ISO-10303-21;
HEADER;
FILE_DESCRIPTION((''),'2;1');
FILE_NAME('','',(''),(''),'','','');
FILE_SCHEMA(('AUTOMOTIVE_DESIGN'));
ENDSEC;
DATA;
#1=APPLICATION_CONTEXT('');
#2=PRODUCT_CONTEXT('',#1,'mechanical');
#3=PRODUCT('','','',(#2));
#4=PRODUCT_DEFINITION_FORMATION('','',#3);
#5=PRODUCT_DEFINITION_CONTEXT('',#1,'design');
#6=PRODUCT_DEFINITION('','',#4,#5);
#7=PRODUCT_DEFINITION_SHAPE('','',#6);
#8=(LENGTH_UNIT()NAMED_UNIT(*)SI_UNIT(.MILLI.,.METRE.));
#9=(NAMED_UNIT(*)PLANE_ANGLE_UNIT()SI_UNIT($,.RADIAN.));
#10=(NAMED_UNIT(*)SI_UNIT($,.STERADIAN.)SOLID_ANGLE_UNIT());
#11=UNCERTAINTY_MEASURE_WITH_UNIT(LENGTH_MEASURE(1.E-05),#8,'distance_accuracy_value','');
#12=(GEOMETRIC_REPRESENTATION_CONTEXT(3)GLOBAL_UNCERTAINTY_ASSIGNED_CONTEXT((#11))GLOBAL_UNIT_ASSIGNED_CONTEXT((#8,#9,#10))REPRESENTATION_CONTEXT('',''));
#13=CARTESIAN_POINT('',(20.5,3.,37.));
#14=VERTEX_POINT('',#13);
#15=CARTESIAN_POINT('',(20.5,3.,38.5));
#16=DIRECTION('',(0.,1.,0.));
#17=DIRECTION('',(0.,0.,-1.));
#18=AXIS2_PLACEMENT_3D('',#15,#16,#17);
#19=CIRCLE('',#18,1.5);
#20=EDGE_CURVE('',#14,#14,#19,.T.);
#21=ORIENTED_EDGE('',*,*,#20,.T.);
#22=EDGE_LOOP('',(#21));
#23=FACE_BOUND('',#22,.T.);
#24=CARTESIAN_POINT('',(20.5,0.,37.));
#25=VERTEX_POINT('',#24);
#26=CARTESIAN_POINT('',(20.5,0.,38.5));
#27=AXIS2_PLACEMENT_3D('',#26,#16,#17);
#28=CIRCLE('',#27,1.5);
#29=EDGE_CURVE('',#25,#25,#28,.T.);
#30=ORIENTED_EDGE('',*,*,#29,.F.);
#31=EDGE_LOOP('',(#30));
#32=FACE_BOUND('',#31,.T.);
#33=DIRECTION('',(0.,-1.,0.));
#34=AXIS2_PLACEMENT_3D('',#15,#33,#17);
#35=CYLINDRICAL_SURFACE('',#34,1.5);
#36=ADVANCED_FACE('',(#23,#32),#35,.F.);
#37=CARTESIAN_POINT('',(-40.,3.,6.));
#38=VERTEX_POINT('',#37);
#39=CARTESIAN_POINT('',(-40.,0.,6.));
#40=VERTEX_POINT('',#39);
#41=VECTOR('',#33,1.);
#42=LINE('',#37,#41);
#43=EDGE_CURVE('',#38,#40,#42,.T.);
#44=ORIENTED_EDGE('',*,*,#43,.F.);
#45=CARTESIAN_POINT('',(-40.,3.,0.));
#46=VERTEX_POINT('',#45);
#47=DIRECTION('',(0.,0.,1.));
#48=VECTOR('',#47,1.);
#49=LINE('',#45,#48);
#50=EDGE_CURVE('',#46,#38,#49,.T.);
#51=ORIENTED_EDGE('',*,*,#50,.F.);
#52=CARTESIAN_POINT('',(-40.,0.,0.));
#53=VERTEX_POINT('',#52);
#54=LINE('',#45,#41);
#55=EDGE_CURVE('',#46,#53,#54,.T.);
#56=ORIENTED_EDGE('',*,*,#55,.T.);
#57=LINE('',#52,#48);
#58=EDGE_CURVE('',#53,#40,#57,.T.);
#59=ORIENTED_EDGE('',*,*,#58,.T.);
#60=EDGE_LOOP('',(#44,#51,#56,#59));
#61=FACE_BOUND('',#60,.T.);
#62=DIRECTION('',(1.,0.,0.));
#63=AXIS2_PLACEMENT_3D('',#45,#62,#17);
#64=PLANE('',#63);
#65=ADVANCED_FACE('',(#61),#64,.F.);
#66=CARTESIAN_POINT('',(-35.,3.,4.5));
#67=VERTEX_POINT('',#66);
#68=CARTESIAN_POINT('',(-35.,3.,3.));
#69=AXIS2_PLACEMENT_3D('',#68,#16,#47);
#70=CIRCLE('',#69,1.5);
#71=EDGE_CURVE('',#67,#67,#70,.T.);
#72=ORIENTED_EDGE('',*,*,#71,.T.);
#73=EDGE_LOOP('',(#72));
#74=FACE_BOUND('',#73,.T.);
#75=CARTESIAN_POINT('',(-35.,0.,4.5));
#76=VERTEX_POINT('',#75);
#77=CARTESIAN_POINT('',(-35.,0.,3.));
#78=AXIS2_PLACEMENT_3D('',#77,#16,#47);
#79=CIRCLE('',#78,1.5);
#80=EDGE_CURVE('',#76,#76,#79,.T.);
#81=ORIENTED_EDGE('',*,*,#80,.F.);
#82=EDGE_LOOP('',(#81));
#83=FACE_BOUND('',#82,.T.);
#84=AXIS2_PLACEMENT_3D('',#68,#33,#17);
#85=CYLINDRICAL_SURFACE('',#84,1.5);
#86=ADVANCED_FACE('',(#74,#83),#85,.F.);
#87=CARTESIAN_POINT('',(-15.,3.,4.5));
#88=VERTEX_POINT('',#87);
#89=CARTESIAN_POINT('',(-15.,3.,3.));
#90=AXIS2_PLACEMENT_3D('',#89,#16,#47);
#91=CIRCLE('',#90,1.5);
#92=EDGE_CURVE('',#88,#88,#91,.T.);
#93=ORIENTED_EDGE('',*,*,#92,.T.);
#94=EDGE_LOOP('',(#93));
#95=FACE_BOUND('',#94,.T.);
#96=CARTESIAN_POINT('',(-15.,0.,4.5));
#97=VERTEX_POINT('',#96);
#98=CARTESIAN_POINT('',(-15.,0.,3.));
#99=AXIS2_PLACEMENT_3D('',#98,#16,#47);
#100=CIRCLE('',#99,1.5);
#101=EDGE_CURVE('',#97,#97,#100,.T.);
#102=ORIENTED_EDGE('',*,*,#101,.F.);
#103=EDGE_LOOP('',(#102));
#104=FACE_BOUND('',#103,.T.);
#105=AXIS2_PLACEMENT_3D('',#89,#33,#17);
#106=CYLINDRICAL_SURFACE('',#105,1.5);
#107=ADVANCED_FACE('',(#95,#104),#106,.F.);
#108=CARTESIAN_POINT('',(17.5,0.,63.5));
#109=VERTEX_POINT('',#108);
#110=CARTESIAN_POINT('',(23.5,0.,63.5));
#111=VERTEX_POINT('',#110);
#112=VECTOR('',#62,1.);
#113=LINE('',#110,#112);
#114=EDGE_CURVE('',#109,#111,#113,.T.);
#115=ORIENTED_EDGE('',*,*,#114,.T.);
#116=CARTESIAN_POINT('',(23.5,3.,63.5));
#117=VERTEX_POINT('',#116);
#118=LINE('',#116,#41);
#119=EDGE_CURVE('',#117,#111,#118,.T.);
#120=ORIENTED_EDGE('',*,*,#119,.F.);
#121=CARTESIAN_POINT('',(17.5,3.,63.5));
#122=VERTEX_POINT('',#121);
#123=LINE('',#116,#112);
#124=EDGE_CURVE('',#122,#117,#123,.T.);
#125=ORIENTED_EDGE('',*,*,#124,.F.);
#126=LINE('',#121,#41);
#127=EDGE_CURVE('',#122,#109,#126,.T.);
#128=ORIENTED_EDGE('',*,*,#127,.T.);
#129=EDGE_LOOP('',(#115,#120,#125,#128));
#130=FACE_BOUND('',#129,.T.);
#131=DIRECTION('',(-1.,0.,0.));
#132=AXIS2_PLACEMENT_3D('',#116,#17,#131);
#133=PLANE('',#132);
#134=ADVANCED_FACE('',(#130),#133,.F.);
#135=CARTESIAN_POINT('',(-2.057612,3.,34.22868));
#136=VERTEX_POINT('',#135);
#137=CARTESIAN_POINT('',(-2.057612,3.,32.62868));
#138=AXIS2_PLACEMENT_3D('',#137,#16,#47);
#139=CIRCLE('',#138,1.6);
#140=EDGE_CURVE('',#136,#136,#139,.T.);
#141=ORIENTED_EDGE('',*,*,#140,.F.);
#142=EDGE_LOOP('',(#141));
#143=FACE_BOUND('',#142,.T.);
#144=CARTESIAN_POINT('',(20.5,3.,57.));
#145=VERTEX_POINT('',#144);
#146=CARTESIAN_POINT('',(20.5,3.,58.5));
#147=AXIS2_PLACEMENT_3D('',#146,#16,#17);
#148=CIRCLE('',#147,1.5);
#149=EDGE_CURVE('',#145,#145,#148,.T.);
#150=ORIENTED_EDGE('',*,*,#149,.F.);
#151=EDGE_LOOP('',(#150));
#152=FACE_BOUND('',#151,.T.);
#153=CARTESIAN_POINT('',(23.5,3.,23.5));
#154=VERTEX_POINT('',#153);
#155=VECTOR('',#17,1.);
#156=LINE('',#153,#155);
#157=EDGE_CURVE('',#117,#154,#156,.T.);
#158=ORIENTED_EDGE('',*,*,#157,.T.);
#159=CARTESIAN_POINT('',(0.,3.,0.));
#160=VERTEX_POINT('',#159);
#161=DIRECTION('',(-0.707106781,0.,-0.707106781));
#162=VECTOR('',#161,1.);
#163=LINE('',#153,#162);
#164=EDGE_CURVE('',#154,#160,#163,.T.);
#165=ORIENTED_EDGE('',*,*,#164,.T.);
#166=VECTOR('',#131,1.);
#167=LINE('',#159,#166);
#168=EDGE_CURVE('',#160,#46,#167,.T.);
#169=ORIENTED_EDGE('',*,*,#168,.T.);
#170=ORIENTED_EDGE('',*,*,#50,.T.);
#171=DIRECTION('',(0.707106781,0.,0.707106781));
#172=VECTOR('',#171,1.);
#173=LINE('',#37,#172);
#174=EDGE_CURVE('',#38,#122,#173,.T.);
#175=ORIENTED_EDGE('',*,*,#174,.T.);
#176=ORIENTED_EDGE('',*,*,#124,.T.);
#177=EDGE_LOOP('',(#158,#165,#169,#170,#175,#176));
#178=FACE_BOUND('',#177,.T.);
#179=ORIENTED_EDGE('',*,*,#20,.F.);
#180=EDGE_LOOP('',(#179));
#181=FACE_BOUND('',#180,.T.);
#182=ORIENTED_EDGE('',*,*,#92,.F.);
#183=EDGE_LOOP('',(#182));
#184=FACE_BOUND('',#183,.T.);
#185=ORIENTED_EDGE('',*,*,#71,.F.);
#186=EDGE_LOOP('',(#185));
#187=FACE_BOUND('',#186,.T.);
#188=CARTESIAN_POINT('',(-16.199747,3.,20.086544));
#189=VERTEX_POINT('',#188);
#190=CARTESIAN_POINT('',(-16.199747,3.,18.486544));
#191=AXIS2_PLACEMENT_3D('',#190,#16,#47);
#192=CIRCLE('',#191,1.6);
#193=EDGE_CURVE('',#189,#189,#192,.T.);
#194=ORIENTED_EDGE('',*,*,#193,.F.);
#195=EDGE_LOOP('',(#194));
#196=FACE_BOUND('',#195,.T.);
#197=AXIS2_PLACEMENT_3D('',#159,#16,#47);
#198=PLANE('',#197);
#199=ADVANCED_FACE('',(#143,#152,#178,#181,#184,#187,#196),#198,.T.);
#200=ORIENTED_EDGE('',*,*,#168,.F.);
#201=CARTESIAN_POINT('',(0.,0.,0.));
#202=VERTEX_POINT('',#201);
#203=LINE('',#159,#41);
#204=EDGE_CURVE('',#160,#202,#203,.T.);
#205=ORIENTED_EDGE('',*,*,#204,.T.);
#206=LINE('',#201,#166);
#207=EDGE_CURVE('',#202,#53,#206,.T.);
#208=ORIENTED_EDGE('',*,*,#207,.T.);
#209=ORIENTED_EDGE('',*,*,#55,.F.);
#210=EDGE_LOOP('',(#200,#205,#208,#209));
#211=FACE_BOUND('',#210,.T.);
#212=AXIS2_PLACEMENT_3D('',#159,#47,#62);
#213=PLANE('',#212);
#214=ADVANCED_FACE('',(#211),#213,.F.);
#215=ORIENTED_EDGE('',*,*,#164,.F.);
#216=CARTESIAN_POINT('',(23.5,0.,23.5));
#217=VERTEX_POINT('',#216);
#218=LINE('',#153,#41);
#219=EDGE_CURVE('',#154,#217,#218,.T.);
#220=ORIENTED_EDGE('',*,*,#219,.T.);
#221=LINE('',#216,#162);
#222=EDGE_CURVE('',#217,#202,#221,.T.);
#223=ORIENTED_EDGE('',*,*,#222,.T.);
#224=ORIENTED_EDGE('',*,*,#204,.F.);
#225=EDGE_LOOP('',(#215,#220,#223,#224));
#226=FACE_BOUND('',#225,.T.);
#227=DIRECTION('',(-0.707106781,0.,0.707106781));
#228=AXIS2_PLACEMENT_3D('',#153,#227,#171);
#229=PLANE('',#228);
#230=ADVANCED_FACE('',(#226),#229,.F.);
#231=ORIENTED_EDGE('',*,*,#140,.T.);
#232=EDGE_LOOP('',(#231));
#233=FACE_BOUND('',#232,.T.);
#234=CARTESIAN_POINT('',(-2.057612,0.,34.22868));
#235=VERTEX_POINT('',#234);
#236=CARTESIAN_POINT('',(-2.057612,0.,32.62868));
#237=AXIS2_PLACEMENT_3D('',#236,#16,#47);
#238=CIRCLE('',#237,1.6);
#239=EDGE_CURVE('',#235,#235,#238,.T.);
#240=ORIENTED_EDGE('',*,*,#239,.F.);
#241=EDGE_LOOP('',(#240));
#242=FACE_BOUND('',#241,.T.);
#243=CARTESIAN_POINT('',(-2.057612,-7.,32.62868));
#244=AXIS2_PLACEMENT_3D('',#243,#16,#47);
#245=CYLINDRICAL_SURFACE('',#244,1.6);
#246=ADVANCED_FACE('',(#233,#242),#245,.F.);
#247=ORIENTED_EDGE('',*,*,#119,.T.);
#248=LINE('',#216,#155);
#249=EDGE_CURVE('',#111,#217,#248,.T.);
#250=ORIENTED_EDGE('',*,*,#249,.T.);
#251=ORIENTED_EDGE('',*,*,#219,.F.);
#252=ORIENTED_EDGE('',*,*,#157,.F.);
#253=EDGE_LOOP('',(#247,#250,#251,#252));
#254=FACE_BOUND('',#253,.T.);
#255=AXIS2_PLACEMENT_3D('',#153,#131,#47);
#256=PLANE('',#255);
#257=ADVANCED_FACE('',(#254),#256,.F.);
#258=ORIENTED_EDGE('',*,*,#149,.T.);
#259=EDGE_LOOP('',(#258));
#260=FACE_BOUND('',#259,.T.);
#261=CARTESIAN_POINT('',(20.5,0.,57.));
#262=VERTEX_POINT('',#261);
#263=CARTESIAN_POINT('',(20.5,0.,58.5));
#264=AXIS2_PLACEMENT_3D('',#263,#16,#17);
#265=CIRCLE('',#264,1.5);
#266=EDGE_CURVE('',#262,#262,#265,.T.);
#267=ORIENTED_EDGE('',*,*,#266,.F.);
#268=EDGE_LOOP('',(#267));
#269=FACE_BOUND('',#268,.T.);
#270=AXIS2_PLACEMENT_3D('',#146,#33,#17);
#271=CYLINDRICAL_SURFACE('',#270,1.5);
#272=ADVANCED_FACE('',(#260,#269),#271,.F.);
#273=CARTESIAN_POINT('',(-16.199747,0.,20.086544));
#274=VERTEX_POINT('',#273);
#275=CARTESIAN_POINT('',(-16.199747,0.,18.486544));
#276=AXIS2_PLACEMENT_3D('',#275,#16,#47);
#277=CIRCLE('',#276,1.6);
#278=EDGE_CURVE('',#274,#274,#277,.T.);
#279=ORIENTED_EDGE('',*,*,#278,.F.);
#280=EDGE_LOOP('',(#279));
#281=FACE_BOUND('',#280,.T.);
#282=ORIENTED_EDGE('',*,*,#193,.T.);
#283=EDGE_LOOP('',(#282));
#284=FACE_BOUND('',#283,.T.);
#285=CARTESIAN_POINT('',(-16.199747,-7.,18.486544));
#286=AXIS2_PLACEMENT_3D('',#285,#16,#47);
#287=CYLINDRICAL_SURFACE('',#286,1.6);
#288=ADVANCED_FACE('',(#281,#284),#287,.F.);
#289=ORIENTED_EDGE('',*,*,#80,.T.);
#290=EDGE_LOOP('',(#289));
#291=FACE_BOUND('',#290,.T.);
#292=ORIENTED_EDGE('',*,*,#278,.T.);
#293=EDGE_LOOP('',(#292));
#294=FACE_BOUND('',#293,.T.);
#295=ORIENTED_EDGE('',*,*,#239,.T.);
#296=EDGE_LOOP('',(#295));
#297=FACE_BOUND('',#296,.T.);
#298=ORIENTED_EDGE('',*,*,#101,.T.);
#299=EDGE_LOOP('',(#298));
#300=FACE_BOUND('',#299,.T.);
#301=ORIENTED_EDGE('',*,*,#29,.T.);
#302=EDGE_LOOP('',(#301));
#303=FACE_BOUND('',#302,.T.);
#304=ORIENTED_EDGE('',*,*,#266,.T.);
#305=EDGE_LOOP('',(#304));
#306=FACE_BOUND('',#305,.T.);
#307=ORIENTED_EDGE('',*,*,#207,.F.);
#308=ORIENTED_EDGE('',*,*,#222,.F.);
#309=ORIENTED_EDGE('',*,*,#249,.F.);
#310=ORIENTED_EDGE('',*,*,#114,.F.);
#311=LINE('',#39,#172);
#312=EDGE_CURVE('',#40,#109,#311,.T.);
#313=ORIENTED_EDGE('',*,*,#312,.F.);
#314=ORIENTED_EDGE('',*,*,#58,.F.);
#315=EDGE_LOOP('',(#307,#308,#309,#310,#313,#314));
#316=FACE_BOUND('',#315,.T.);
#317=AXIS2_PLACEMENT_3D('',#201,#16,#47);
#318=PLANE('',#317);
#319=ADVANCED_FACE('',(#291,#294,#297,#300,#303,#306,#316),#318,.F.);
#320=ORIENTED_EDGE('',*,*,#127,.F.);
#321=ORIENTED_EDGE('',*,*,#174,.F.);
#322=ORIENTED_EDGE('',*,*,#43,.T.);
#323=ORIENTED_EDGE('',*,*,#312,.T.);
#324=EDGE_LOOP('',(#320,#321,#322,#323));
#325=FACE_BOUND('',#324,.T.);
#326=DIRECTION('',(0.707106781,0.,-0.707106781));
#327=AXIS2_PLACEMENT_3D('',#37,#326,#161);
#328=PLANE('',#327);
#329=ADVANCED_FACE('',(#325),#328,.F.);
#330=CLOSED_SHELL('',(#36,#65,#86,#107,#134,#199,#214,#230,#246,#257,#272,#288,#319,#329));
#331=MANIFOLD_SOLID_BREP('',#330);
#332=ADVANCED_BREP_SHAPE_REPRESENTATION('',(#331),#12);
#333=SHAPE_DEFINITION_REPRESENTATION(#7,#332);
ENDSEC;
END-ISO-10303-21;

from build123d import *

# Parameters (mm, degrees)
SKETCH_1_R          = 1.5
EXTRUDE_1_DEPTH     = 3
SKETCH_2_R          = 1.6
CUT_EXTRUDE_1_DEPTH = 10


with BuildPart() as part:
    # 草图1 → 凸台-拉伸1 (new body)
    with BuildSketch(Plane(origin=(0, 0, 0), x_dir=(1, 0, 0), z_dir=(0, 1, 0))):
        Polygon((0, 0), (-40, 0), (-40, -6), (17.5, -63.5), (23.5, -63.5), (23.5, -23.5), align=None)
        with Locations(Location((-35, -3, 0), (0, 0, 270))):
            Circle(SKETCH_1_R, mode=Mode.SUBTRACT)
        with Locations(Location((-15, -3, 0), (0, 0, 270))):
            Circle(SKETCH_1_R, mode=Mode.SUBTRACT)
        with Locations(Location((20.5, -58.5, 0), (0, 0, 90))):
            Circle(SKETCH_1_R, mode=Mode.SUBTRACT)
        with Locations(Location((20.5, -38.5, 0), (0, 0, 90))):
            Circle(SKETCH_1_R, mode=Mode.SUBTRACT)
    extrude(amount=EXTRUDE_1_DEPTH)

    # 草图2 → 切除-拉伸1 (cut)
    with BuildSketch(Plane(origin=(0, 3, 0), x_dir=(1, 0, 0), z_dir=(0, 1, 0))):
        with Locations(Location((-16.199747468, -18.486544033, 0), (0, 0, 270))):
            Circle(SKETCH_2_R)
        with Locations(Location((-2.057611845, -32.628679656, 0), (0, 0, 270))):
            Circle(SKETCH_2_R)
    extrude(amount=-CUT_EXTRUDE_1_DEPTH, mode=Mode.SUBTRACT)


solid = part.part
